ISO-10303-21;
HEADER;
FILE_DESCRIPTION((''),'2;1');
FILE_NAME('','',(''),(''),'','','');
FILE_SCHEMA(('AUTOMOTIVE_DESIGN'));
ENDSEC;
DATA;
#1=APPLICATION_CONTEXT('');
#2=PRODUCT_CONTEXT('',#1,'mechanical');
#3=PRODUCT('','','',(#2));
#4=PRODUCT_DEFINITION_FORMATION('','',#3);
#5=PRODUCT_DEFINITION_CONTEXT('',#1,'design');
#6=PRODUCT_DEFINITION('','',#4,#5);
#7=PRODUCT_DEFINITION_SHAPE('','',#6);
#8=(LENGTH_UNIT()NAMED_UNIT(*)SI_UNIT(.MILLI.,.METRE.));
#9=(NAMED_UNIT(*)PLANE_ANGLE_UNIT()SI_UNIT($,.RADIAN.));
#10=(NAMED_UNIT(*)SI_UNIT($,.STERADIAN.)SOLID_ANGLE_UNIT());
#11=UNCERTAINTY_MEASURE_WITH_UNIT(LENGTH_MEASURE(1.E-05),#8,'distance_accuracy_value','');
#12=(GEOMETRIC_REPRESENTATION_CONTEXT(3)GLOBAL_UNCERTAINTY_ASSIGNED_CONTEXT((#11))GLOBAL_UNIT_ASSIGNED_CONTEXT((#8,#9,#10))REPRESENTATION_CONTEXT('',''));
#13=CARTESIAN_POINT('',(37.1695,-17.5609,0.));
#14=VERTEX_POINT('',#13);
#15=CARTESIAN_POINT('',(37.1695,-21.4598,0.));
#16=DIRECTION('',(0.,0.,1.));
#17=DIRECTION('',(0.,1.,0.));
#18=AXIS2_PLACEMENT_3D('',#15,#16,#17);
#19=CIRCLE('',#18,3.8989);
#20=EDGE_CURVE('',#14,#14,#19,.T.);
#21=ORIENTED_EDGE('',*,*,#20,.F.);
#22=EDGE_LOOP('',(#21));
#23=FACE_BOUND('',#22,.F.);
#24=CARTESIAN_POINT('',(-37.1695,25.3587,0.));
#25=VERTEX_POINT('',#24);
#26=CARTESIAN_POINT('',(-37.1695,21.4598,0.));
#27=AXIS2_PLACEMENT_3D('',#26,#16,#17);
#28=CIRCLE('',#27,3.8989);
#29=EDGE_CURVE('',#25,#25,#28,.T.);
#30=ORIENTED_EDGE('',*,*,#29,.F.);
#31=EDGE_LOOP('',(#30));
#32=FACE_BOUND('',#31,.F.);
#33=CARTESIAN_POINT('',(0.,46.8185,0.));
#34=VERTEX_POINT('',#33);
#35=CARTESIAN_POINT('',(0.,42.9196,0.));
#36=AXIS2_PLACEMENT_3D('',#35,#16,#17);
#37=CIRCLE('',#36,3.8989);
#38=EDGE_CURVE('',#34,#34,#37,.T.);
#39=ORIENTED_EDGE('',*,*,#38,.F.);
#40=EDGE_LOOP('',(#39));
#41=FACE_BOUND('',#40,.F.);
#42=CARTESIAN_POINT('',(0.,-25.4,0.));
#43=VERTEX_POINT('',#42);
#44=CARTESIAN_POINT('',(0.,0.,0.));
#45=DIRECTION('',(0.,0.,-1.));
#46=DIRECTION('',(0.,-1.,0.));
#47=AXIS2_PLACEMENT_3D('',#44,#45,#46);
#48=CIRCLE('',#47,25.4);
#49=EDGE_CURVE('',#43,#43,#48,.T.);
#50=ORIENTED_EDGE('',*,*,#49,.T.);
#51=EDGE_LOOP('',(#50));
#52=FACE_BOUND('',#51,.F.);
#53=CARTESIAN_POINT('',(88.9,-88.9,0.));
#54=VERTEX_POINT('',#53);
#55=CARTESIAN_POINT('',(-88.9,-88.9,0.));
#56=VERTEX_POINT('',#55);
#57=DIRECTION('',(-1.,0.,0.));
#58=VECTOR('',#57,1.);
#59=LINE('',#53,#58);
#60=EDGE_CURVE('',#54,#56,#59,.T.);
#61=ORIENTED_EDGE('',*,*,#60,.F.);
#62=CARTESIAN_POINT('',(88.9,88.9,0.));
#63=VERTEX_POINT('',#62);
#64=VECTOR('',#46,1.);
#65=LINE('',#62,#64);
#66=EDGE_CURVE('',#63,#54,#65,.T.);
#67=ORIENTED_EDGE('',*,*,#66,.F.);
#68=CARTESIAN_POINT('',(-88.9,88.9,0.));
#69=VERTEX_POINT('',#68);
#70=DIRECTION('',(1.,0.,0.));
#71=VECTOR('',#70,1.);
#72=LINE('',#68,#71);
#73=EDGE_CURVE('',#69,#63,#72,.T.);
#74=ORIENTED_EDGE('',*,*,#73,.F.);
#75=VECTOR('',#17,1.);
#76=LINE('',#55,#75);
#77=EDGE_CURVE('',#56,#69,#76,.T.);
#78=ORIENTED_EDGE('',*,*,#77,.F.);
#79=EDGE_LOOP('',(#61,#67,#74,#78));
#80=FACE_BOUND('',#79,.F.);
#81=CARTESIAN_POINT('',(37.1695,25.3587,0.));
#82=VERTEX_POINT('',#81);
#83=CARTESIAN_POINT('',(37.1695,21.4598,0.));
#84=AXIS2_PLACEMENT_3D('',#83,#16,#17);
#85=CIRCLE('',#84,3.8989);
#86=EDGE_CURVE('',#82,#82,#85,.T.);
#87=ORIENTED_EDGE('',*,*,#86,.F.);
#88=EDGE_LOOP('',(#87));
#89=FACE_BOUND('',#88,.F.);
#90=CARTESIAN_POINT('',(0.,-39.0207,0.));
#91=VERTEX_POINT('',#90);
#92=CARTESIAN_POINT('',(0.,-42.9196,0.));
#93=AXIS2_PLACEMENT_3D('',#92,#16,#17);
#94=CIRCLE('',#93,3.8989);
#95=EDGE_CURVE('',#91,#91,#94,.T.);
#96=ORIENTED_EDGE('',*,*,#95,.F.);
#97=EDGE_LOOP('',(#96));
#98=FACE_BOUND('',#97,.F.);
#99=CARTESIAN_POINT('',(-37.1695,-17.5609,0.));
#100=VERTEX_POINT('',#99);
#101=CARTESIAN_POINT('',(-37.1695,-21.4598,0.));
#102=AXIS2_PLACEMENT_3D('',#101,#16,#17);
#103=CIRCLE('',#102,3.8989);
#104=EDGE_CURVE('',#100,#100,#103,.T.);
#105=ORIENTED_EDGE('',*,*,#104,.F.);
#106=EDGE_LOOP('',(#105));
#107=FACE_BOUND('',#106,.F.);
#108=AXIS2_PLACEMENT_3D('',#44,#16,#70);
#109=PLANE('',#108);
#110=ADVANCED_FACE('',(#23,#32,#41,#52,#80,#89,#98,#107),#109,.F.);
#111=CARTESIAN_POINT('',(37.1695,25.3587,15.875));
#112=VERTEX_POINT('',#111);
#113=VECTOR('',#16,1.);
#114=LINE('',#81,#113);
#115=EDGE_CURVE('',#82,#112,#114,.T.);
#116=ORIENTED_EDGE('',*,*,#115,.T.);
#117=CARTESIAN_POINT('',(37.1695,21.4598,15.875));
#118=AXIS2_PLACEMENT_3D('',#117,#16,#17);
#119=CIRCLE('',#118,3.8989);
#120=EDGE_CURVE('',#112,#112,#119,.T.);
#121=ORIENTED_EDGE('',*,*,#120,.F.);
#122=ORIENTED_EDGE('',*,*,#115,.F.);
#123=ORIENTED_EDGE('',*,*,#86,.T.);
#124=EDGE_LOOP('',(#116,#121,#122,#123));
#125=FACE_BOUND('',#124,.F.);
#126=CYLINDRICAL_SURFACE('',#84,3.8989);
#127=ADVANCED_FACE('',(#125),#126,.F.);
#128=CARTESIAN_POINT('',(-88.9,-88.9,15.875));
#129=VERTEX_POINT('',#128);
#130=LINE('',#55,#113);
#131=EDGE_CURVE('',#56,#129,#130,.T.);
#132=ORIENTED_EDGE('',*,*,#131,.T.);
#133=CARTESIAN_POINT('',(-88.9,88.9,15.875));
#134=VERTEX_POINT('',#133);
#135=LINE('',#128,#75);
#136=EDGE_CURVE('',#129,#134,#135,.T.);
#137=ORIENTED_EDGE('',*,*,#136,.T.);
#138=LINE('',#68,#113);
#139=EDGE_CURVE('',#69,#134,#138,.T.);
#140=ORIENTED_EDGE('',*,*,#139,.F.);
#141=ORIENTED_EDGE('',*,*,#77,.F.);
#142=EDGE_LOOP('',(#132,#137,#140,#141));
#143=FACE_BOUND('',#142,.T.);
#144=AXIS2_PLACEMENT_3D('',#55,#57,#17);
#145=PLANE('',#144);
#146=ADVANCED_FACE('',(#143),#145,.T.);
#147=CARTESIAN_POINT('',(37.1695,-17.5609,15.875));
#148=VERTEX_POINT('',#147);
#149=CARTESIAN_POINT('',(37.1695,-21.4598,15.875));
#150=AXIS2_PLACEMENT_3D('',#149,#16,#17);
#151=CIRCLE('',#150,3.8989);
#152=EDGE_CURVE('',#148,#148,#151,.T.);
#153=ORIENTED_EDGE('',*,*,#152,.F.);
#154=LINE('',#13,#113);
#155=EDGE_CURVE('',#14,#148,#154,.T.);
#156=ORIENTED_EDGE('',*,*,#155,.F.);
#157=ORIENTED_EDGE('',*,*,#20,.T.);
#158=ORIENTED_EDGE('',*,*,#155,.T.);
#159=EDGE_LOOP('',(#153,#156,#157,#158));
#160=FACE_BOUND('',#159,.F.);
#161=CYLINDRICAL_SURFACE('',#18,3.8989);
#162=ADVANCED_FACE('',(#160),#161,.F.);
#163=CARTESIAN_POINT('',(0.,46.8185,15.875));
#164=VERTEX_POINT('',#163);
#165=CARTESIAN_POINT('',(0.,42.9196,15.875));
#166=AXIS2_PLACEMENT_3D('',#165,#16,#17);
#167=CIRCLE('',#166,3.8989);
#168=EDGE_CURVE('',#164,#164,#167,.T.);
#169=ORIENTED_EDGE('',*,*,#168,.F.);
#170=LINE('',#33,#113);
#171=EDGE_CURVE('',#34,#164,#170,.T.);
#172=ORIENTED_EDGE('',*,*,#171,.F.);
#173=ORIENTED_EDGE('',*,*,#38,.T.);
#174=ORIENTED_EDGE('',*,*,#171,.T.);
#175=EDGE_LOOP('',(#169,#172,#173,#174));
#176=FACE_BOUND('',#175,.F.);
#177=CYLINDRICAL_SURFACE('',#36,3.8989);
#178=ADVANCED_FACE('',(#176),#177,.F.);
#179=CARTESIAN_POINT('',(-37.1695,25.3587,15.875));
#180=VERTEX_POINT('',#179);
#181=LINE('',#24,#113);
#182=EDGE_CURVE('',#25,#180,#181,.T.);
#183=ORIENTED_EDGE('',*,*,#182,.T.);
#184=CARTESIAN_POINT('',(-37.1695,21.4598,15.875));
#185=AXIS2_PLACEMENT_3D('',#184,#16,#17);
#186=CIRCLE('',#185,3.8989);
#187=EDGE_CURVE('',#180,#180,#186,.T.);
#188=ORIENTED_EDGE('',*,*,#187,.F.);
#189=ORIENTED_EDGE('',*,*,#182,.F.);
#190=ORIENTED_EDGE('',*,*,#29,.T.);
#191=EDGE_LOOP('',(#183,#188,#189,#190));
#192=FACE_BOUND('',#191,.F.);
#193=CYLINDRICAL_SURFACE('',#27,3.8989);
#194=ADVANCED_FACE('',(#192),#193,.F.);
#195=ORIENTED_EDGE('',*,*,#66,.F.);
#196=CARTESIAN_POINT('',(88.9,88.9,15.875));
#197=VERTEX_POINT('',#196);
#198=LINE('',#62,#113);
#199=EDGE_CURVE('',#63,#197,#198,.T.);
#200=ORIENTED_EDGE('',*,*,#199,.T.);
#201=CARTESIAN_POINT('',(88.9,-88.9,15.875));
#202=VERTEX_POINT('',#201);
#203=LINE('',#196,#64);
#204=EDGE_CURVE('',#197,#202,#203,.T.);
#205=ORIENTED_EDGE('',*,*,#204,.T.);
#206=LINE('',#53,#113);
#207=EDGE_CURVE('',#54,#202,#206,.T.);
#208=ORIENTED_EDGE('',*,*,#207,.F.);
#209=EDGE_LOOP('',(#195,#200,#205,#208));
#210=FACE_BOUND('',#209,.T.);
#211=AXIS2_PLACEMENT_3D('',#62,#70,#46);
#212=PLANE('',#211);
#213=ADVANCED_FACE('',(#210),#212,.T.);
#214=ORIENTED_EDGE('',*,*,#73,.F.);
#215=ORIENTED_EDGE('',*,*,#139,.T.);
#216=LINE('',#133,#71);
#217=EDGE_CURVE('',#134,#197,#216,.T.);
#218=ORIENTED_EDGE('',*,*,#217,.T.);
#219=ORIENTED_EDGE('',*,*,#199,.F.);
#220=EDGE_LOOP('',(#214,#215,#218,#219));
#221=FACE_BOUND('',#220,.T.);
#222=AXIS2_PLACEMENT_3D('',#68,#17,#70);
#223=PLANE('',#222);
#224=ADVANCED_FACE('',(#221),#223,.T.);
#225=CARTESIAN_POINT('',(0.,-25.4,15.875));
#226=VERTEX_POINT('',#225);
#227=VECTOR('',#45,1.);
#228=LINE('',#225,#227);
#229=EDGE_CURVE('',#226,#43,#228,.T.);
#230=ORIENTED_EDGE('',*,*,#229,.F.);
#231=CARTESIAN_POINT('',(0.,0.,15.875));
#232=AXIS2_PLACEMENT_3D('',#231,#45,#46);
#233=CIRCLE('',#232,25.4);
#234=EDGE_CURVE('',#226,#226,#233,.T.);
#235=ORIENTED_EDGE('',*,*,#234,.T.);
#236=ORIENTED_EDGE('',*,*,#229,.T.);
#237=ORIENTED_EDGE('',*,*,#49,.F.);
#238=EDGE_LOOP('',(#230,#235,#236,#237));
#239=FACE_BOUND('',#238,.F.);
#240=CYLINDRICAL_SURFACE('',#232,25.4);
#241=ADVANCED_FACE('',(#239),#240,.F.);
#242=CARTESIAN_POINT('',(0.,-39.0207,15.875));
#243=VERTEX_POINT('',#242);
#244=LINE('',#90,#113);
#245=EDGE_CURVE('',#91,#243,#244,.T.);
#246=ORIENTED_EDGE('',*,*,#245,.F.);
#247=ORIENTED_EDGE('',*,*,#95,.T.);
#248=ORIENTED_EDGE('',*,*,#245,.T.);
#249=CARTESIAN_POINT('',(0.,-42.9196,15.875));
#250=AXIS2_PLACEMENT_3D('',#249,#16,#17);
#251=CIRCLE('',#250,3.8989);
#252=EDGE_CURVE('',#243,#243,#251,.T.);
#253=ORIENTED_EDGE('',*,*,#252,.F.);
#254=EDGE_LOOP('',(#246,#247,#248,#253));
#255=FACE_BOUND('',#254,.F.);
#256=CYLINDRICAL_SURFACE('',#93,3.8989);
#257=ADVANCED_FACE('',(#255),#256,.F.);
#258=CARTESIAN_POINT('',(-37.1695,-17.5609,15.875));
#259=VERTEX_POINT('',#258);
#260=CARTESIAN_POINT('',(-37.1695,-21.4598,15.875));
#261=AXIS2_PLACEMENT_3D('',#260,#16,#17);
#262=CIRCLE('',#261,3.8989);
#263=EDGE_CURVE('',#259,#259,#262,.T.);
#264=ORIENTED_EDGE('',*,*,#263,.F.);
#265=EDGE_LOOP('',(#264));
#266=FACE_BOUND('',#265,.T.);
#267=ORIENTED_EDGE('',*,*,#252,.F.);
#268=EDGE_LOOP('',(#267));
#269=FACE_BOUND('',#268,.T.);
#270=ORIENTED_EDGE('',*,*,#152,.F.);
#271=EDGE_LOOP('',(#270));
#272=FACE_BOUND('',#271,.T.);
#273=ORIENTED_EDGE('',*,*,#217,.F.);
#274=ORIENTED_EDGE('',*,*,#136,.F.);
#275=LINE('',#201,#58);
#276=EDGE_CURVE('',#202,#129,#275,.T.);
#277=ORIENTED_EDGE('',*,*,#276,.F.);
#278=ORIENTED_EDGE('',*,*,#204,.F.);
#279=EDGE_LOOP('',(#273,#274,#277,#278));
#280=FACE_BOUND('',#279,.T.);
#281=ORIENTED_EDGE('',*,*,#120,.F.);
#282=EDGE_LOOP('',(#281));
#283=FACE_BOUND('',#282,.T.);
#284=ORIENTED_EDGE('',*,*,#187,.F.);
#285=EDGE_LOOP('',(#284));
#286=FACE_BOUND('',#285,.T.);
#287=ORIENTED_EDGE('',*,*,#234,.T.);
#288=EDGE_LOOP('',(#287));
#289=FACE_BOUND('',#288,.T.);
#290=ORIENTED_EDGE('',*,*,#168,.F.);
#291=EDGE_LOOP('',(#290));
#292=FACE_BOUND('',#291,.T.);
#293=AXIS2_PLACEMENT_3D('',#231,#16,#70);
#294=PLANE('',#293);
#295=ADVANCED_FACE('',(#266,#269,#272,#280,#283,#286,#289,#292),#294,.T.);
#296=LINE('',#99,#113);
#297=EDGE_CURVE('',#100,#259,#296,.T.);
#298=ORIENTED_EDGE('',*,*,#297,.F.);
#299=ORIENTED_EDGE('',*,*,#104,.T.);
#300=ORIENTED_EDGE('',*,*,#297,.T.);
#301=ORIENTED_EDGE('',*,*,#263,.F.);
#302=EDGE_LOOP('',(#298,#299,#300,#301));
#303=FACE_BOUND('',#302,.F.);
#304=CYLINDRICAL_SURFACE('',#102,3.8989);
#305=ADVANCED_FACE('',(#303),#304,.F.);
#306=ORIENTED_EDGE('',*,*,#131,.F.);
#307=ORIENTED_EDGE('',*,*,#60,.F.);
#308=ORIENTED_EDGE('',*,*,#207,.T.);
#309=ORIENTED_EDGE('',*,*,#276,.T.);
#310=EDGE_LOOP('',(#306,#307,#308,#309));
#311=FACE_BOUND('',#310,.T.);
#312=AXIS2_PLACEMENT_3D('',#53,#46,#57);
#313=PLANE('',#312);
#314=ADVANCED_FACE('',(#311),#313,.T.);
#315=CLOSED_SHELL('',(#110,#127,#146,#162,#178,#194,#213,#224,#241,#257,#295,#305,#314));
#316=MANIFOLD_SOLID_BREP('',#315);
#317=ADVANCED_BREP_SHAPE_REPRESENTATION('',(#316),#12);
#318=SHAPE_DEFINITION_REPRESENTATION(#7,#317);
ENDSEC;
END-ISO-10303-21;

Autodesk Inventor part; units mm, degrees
ref_plane "YZ Plane" through (0, 0, 0) normal (1, 0, 0) x (0, 1, 0)
ref_plane "XZ Plane" through (0, 0, 0) normal (0, 1, 0) x (-1, 0, 0)
ref_plane "XY Plane" through (0, 0, 0) normal (0, 0, 1) x (1, 0, 0)
sketch "Sketch1" plane through (0, 0, 0) normal (0, 0, 1) x (1, 0, 0)
  line L0 (88.9, -88.9) -> (-88.9, -88.9)
  line L1 (-88.9, -88.9) -> (-88.9, 88.9)
  line L2 (-88.9, 88.9) -> (88.9, 88.9)
  line L3 (88.9, 88.9) -> (88.9, -88.9)
  line L4 (88.9, -88.9) -> (-88.9, 88.9) construction
  line L5 (-88.9, -88.9) -> (88.9, 88.9) construction
  point P0 (0, 0)
  dimension "d2" = 177.8
extrude "Extrusion1" add sketch "Sketch1" along normal blind 15.875
sketch "Sketch2" plane through (0, 0, 0) normal (0, 0, -1) x (-1, 0, 0)
  circle A0 centre (0, 0) radius 60.325 projected
  circle A1 centre (0, 42.9196) radius 9.6774 projected
  circle A2 centre (-37.1695, 21.4598) radius 9.6774 projected
  circle A3 centre (-37.1695, -21.4598) radius 9.6774 projected
  circle A4 centre (0, -42.9196) radius 9.6774 projected
  circle A5 centre (37.1695, -21.4598) radius 9.6774 projected
  circle A6 centre (37.1695, 21.4598) radius 9.6774 projected
  line L0 (18.829, -36.4227) -> (14.1966, -28.3993) projected
  arc A7 (-14.1966, -28.3993) -> (14.1966, -28.3993) centre (0, 0) ccw projected
  line L1 (-14.1966, -28.3993) -> (-18.829, -36.4227) projected
  line L2 (-18.829, -36.4227) -> (-22.1285, -34.5177) projected
  line L3 (-22.1285, -34.5177) -> (-17.4962, -26.4943) projected
  arc A8 (-31.6928, -1.905) -> (-17.4962, -26.4943) centre (0, 0) ccw projected
  line L4 (-31.6928, -1.905) -> (-40.9575, -1.905) projected
  line L5 (-40.9575, -1.905) -> (-40.9575, 1.905) projected
  line L6 (-40.9575, 1.905) -> (-31.6928, 1.905) projected
  arc A9 (-17.4962, 26.4943) -> (-31.6928, 1.905) centre (0, 0) ccw projected
  line L7 (-17.4962, 26.4943) -> (-22.1285, 34.5177) projected
  line L8 (-22.1285, 34.5177) -> (-18.829, 36.4227) projected
  line L9 (-18.829, 36.4227) -> (-14.1966, 28.3993) projected
  arc A10 (14.1966, 28.3993) -> (-14.1966, 28.3993) centre (0, 0) ccw projected
  line L10 (14.1966, 28.3993) -> (18.829, 36.4227) projected
  line L11 (18.829, 36.4227) -> (22.1285, 34.5177) projected
  line L12 (22.1285, 34.5177) -> (17.4962, 26.4943) projected
  arc A11 (31.6928, 1.905) -> (17.4962, 26.4943) centre (0, 0) ccw projected
  line L13 (31.6928, 1.905) -> (40.9575, 1.905) projected
  line L14 (40.9575, 1.905) -> (40.9575, -1.905) projected
  line L15 (40.9575, -1.905) -> (31.6928, -1.905) projected
  arc A12 (17.4962, -26.4943) -> (31.6928, -1.905) centre (0, 0) ccw projected
  line L16 (17.4962, -26.4943) -> (22.1285, -34.5177) projected
  line L17 (22.1285, -34.5177) -> (18.829, -36.4227) projected
  point P0 (0, 0)
hole "Hole1" at (0, 42.9196, 0) at (37.1695, 21.4598, 0) at (37.1695, -21.4598, 0) at (0, -42.9196, 0) at (-37.1695, -21.4598, 0) at (-37.1695, 21.4598, 0) direction (0, 0, 1) diameter 7.7978 end through all thread size "3/8-16 UNC" class "2B" standard "ANSI Unified Screw Threads"
sketch "Sketch3" plane through (0, 0, 15.875) normal (0, 0, 1) x (1, 0, 0)
  circle A0 centre (0, 0) radius 20.6375 projected
  point P0 (0, 0)
hole "Hole2" at (0, 0, 15.875) direction (0, 0, -1) diameter 50.8 end through all
properties part number "Mounting Plate" material "Aluminum 6061"
